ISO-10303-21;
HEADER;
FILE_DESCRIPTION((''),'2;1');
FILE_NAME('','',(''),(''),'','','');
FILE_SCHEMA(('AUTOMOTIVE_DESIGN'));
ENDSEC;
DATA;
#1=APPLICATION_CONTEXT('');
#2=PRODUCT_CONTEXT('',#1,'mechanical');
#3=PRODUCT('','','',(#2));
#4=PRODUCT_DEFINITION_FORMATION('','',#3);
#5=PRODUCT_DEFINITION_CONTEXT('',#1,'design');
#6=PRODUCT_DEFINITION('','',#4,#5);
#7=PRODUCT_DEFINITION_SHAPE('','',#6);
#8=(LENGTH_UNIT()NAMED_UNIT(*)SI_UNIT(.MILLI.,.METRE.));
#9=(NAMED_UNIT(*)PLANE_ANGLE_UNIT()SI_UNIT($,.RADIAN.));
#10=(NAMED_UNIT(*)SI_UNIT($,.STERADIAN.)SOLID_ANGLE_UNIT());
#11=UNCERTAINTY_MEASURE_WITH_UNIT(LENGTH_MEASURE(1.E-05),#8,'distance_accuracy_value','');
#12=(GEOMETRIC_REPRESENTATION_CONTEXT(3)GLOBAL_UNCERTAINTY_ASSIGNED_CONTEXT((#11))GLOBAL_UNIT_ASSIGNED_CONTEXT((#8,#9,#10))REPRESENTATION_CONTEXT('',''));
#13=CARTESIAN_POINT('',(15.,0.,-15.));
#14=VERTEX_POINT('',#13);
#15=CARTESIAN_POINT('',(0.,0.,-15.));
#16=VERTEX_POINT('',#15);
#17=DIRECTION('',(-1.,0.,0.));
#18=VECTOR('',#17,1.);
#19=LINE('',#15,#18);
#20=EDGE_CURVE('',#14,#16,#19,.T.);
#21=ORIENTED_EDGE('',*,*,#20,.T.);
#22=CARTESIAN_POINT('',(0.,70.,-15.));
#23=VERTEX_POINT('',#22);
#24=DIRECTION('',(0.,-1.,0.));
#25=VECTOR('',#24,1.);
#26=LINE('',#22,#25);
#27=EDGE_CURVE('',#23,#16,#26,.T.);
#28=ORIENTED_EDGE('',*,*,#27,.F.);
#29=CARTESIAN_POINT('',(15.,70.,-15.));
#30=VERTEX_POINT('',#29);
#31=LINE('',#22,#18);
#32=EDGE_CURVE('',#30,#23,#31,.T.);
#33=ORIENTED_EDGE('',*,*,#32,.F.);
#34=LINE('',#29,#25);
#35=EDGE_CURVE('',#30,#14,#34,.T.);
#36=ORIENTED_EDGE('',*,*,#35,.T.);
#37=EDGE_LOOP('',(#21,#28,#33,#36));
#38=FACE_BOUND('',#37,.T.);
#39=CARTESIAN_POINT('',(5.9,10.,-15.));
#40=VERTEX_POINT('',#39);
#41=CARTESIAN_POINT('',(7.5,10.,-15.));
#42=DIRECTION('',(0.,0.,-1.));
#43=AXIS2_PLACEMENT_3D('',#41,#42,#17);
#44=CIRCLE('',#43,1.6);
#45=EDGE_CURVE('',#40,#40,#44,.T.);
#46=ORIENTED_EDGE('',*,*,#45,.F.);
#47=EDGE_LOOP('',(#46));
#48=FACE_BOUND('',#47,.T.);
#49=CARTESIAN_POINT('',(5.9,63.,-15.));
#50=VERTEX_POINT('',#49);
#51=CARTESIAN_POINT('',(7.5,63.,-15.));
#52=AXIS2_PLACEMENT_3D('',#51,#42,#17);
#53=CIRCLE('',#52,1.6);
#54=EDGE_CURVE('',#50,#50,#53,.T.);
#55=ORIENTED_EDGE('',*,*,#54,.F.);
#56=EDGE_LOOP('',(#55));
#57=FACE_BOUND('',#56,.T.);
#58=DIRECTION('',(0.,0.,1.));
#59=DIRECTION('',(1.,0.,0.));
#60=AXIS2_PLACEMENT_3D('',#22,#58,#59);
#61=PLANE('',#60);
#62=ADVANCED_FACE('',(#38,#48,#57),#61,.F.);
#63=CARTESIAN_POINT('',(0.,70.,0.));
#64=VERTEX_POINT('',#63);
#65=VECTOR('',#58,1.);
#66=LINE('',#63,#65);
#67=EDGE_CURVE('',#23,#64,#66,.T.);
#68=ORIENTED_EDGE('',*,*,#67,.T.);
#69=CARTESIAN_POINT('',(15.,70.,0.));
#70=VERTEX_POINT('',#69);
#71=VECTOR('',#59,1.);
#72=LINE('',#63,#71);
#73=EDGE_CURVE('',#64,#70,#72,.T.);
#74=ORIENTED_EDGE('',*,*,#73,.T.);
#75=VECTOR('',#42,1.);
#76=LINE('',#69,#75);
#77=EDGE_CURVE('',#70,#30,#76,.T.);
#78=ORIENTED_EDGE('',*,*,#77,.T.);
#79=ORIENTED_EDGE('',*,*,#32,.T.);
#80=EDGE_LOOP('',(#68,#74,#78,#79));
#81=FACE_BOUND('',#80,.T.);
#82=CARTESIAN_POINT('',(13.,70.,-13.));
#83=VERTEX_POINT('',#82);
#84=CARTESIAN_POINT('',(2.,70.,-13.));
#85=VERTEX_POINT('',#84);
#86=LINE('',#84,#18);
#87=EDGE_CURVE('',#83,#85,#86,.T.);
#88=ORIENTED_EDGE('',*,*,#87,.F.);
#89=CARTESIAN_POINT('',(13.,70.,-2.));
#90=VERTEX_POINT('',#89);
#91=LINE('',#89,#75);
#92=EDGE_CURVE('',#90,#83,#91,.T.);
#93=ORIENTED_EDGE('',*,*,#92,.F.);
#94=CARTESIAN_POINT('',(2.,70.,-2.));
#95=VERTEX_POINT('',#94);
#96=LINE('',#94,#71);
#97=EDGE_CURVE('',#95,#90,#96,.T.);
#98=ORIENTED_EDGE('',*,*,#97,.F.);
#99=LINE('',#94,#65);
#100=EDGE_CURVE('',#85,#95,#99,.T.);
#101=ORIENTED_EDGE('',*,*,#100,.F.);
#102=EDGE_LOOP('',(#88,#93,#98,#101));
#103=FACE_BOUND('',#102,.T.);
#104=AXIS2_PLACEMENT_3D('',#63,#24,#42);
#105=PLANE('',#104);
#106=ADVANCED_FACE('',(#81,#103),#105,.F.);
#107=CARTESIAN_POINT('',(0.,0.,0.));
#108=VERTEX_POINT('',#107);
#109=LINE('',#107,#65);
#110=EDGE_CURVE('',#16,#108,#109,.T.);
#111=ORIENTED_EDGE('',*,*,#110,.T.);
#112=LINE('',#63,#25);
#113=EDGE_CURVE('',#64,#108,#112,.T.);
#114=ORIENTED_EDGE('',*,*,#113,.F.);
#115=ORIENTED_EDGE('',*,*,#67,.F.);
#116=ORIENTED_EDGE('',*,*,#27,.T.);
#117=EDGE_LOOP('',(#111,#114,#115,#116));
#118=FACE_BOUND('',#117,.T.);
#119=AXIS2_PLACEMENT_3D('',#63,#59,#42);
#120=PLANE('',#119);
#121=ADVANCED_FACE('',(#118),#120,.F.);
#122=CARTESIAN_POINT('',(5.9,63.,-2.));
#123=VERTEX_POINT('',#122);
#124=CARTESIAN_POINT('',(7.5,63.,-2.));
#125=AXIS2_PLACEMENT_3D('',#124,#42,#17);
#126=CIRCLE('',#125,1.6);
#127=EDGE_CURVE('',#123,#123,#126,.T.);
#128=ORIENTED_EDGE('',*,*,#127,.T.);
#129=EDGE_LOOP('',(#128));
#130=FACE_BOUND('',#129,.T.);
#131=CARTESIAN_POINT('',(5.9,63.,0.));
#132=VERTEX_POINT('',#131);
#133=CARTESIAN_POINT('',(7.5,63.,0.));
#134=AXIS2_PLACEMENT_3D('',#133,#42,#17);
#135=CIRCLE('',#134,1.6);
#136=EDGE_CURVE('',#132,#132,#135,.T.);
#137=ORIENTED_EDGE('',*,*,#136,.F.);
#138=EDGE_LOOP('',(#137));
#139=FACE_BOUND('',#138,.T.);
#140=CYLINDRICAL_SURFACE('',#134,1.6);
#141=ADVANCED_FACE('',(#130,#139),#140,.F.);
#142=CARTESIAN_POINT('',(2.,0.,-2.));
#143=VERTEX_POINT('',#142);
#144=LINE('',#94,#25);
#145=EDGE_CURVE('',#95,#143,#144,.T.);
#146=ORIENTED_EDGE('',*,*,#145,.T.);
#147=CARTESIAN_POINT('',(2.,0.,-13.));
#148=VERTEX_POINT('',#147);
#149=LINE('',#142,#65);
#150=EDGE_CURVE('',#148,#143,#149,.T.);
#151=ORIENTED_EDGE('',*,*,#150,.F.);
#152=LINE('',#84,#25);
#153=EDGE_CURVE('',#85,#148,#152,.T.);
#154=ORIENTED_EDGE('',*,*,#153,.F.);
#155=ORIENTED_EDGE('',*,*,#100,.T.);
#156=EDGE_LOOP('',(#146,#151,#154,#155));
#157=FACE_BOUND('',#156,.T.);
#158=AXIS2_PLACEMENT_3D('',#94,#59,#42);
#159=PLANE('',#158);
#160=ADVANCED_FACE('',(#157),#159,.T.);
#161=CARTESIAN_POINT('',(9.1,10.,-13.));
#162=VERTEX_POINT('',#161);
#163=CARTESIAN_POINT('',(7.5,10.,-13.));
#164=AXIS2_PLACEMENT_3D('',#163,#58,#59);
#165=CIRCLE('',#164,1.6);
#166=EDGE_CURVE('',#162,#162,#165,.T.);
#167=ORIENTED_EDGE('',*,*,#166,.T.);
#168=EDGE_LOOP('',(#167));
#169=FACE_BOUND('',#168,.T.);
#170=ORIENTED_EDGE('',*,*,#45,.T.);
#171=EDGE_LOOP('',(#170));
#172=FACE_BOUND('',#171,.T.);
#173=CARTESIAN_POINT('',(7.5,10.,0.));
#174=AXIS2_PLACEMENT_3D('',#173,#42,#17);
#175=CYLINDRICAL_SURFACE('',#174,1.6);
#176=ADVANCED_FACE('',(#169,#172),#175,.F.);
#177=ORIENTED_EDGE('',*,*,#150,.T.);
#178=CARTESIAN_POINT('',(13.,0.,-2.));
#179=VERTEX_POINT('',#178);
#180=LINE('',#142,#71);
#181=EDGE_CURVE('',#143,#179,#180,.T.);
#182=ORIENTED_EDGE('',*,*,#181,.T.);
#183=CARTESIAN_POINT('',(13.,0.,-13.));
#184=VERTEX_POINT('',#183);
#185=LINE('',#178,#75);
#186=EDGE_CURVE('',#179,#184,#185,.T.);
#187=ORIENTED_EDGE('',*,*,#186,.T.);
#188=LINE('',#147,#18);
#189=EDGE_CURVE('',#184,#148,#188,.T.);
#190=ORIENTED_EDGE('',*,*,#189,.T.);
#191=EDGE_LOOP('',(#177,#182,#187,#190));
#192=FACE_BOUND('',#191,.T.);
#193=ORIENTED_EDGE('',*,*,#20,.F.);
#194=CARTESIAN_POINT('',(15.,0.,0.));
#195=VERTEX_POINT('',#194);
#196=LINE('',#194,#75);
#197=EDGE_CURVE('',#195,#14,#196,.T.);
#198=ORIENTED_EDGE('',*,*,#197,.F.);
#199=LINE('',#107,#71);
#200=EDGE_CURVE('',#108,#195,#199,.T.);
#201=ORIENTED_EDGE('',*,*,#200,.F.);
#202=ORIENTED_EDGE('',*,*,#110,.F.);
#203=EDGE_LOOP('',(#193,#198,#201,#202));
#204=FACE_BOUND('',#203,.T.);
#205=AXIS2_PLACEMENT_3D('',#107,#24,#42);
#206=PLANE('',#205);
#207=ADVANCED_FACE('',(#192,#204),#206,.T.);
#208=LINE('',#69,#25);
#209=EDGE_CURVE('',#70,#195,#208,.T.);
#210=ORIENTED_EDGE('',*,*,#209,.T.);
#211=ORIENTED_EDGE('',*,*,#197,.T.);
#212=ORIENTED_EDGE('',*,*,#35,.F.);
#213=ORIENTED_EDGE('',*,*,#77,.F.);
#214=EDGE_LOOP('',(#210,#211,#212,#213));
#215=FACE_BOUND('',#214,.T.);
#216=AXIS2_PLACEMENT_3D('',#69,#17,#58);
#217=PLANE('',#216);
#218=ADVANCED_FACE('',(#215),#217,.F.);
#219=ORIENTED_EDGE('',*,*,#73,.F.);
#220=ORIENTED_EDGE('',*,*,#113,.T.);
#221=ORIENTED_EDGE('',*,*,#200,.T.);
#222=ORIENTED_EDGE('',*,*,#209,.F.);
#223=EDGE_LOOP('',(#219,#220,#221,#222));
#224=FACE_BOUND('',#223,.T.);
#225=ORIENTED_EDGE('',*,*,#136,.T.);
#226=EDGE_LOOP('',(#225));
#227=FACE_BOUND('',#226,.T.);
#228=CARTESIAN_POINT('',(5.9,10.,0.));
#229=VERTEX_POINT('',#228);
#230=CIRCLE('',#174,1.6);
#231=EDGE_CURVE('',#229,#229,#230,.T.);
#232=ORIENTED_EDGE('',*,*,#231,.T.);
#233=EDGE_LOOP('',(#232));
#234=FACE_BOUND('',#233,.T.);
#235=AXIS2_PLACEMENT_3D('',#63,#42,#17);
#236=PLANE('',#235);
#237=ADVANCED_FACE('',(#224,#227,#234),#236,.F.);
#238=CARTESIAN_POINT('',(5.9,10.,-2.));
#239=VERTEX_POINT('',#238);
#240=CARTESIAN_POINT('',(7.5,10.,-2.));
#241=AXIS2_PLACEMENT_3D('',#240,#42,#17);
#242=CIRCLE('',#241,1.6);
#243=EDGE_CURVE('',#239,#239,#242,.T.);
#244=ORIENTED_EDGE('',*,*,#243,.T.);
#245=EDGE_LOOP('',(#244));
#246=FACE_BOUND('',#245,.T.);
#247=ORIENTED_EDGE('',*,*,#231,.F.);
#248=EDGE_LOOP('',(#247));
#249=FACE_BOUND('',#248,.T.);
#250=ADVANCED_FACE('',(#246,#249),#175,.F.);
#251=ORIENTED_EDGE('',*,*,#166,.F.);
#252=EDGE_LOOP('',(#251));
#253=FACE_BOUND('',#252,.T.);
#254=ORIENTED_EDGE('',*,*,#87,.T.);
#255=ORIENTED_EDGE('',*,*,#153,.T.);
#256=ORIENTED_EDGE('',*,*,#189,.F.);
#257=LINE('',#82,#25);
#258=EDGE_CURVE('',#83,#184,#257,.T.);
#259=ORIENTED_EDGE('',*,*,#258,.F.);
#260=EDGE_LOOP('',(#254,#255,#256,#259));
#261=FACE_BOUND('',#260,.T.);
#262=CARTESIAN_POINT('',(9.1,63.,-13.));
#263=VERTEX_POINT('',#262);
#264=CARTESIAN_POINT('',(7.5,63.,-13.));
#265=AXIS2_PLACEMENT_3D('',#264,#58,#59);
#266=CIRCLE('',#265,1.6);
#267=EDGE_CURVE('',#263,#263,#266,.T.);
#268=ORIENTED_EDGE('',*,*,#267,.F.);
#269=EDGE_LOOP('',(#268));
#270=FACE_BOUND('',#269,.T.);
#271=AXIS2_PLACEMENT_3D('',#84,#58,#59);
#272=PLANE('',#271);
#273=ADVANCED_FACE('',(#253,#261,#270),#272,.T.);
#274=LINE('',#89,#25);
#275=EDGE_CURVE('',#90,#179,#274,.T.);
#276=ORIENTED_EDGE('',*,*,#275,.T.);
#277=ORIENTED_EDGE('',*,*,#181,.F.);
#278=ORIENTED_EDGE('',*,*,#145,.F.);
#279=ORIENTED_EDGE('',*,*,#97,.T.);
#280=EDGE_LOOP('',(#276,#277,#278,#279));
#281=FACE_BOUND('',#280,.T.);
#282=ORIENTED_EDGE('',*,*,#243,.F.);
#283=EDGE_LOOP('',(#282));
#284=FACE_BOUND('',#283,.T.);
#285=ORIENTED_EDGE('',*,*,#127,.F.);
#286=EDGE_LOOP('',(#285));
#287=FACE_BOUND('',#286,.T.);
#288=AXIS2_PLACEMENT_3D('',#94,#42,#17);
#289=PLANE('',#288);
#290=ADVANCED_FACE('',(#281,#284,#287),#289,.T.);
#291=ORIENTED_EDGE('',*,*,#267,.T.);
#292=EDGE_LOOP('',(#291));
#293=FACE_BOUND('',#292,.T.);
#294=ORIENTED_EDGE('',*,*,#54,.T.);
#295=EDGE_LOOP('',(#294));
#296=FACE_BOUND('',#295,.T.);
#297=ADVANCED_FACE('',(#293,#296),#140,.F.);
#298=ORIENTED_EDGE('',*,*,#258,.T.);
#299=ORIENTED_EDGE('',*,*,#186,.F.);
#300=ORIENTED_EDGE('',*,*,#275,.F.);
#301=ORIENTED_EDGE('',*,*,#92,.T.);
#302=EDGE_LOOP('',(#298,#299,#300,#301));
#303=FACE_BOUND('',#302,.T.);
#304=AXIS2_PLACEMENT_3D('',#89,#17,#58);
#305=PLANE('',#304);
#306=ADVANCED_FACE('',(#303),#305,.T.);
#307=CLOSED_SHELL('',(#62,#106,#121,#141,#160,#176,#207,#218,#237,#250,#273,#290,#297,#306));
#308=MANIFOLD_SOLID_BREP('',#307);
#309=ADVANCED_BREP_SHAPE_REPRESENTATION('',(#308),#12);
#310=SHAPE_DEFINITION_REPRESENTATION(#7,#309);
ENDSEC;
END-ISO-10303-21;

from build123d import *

# Parameters (mm, degrees)
SKETCH1_W           = 15
SKETCH1_H           = 15
SKETCH1_W_2         = 11
SKETCH1_H_2         = 11
BOSS_EXTRUDE1_DEPTH = 70
SKETCH2_R           = 1.6
CUT_EXTRUDE1_DEPTH  = 74.143694192


with BuildPart() as part:
    # Sketch1 → Boss-Extrude1 (new body)
    with BuildSketch(Plane(origin=(0, 0, 0), x_dir=(1, 0, 0), z_dir=(0, 1, 0))):
        with Locations((7.5, 7.5)):
            Rectangle(SKETCH1_W, SKETCH1_H)
        with Locations((7.5, 7.5)):
            Rectangle(SKETCH1_W_2, SKETCH1_H_2, mode=Mode.SUBTRACT)
    extrude(amount=BOSS_EXTRUDE1_DEPTH)

    # Sketch2 → Cut-Extrude1 (cut, through all)
    with BuildSketch(Plane(origin=(0, 0, -15), x_dir=(-1, 0, 0), z_dir=(0, 0, -1))):
        with Locations((-7.5, 63)):
            Circle(SKETCH2_R)
        with Locations((-7.5, 10)):
            Circle(SKETCH2_R)
    extrude(amount=-CUT_EXTRUDE1_DEPTH, mode=Mode.SUBTRACT)


solid = part.part
